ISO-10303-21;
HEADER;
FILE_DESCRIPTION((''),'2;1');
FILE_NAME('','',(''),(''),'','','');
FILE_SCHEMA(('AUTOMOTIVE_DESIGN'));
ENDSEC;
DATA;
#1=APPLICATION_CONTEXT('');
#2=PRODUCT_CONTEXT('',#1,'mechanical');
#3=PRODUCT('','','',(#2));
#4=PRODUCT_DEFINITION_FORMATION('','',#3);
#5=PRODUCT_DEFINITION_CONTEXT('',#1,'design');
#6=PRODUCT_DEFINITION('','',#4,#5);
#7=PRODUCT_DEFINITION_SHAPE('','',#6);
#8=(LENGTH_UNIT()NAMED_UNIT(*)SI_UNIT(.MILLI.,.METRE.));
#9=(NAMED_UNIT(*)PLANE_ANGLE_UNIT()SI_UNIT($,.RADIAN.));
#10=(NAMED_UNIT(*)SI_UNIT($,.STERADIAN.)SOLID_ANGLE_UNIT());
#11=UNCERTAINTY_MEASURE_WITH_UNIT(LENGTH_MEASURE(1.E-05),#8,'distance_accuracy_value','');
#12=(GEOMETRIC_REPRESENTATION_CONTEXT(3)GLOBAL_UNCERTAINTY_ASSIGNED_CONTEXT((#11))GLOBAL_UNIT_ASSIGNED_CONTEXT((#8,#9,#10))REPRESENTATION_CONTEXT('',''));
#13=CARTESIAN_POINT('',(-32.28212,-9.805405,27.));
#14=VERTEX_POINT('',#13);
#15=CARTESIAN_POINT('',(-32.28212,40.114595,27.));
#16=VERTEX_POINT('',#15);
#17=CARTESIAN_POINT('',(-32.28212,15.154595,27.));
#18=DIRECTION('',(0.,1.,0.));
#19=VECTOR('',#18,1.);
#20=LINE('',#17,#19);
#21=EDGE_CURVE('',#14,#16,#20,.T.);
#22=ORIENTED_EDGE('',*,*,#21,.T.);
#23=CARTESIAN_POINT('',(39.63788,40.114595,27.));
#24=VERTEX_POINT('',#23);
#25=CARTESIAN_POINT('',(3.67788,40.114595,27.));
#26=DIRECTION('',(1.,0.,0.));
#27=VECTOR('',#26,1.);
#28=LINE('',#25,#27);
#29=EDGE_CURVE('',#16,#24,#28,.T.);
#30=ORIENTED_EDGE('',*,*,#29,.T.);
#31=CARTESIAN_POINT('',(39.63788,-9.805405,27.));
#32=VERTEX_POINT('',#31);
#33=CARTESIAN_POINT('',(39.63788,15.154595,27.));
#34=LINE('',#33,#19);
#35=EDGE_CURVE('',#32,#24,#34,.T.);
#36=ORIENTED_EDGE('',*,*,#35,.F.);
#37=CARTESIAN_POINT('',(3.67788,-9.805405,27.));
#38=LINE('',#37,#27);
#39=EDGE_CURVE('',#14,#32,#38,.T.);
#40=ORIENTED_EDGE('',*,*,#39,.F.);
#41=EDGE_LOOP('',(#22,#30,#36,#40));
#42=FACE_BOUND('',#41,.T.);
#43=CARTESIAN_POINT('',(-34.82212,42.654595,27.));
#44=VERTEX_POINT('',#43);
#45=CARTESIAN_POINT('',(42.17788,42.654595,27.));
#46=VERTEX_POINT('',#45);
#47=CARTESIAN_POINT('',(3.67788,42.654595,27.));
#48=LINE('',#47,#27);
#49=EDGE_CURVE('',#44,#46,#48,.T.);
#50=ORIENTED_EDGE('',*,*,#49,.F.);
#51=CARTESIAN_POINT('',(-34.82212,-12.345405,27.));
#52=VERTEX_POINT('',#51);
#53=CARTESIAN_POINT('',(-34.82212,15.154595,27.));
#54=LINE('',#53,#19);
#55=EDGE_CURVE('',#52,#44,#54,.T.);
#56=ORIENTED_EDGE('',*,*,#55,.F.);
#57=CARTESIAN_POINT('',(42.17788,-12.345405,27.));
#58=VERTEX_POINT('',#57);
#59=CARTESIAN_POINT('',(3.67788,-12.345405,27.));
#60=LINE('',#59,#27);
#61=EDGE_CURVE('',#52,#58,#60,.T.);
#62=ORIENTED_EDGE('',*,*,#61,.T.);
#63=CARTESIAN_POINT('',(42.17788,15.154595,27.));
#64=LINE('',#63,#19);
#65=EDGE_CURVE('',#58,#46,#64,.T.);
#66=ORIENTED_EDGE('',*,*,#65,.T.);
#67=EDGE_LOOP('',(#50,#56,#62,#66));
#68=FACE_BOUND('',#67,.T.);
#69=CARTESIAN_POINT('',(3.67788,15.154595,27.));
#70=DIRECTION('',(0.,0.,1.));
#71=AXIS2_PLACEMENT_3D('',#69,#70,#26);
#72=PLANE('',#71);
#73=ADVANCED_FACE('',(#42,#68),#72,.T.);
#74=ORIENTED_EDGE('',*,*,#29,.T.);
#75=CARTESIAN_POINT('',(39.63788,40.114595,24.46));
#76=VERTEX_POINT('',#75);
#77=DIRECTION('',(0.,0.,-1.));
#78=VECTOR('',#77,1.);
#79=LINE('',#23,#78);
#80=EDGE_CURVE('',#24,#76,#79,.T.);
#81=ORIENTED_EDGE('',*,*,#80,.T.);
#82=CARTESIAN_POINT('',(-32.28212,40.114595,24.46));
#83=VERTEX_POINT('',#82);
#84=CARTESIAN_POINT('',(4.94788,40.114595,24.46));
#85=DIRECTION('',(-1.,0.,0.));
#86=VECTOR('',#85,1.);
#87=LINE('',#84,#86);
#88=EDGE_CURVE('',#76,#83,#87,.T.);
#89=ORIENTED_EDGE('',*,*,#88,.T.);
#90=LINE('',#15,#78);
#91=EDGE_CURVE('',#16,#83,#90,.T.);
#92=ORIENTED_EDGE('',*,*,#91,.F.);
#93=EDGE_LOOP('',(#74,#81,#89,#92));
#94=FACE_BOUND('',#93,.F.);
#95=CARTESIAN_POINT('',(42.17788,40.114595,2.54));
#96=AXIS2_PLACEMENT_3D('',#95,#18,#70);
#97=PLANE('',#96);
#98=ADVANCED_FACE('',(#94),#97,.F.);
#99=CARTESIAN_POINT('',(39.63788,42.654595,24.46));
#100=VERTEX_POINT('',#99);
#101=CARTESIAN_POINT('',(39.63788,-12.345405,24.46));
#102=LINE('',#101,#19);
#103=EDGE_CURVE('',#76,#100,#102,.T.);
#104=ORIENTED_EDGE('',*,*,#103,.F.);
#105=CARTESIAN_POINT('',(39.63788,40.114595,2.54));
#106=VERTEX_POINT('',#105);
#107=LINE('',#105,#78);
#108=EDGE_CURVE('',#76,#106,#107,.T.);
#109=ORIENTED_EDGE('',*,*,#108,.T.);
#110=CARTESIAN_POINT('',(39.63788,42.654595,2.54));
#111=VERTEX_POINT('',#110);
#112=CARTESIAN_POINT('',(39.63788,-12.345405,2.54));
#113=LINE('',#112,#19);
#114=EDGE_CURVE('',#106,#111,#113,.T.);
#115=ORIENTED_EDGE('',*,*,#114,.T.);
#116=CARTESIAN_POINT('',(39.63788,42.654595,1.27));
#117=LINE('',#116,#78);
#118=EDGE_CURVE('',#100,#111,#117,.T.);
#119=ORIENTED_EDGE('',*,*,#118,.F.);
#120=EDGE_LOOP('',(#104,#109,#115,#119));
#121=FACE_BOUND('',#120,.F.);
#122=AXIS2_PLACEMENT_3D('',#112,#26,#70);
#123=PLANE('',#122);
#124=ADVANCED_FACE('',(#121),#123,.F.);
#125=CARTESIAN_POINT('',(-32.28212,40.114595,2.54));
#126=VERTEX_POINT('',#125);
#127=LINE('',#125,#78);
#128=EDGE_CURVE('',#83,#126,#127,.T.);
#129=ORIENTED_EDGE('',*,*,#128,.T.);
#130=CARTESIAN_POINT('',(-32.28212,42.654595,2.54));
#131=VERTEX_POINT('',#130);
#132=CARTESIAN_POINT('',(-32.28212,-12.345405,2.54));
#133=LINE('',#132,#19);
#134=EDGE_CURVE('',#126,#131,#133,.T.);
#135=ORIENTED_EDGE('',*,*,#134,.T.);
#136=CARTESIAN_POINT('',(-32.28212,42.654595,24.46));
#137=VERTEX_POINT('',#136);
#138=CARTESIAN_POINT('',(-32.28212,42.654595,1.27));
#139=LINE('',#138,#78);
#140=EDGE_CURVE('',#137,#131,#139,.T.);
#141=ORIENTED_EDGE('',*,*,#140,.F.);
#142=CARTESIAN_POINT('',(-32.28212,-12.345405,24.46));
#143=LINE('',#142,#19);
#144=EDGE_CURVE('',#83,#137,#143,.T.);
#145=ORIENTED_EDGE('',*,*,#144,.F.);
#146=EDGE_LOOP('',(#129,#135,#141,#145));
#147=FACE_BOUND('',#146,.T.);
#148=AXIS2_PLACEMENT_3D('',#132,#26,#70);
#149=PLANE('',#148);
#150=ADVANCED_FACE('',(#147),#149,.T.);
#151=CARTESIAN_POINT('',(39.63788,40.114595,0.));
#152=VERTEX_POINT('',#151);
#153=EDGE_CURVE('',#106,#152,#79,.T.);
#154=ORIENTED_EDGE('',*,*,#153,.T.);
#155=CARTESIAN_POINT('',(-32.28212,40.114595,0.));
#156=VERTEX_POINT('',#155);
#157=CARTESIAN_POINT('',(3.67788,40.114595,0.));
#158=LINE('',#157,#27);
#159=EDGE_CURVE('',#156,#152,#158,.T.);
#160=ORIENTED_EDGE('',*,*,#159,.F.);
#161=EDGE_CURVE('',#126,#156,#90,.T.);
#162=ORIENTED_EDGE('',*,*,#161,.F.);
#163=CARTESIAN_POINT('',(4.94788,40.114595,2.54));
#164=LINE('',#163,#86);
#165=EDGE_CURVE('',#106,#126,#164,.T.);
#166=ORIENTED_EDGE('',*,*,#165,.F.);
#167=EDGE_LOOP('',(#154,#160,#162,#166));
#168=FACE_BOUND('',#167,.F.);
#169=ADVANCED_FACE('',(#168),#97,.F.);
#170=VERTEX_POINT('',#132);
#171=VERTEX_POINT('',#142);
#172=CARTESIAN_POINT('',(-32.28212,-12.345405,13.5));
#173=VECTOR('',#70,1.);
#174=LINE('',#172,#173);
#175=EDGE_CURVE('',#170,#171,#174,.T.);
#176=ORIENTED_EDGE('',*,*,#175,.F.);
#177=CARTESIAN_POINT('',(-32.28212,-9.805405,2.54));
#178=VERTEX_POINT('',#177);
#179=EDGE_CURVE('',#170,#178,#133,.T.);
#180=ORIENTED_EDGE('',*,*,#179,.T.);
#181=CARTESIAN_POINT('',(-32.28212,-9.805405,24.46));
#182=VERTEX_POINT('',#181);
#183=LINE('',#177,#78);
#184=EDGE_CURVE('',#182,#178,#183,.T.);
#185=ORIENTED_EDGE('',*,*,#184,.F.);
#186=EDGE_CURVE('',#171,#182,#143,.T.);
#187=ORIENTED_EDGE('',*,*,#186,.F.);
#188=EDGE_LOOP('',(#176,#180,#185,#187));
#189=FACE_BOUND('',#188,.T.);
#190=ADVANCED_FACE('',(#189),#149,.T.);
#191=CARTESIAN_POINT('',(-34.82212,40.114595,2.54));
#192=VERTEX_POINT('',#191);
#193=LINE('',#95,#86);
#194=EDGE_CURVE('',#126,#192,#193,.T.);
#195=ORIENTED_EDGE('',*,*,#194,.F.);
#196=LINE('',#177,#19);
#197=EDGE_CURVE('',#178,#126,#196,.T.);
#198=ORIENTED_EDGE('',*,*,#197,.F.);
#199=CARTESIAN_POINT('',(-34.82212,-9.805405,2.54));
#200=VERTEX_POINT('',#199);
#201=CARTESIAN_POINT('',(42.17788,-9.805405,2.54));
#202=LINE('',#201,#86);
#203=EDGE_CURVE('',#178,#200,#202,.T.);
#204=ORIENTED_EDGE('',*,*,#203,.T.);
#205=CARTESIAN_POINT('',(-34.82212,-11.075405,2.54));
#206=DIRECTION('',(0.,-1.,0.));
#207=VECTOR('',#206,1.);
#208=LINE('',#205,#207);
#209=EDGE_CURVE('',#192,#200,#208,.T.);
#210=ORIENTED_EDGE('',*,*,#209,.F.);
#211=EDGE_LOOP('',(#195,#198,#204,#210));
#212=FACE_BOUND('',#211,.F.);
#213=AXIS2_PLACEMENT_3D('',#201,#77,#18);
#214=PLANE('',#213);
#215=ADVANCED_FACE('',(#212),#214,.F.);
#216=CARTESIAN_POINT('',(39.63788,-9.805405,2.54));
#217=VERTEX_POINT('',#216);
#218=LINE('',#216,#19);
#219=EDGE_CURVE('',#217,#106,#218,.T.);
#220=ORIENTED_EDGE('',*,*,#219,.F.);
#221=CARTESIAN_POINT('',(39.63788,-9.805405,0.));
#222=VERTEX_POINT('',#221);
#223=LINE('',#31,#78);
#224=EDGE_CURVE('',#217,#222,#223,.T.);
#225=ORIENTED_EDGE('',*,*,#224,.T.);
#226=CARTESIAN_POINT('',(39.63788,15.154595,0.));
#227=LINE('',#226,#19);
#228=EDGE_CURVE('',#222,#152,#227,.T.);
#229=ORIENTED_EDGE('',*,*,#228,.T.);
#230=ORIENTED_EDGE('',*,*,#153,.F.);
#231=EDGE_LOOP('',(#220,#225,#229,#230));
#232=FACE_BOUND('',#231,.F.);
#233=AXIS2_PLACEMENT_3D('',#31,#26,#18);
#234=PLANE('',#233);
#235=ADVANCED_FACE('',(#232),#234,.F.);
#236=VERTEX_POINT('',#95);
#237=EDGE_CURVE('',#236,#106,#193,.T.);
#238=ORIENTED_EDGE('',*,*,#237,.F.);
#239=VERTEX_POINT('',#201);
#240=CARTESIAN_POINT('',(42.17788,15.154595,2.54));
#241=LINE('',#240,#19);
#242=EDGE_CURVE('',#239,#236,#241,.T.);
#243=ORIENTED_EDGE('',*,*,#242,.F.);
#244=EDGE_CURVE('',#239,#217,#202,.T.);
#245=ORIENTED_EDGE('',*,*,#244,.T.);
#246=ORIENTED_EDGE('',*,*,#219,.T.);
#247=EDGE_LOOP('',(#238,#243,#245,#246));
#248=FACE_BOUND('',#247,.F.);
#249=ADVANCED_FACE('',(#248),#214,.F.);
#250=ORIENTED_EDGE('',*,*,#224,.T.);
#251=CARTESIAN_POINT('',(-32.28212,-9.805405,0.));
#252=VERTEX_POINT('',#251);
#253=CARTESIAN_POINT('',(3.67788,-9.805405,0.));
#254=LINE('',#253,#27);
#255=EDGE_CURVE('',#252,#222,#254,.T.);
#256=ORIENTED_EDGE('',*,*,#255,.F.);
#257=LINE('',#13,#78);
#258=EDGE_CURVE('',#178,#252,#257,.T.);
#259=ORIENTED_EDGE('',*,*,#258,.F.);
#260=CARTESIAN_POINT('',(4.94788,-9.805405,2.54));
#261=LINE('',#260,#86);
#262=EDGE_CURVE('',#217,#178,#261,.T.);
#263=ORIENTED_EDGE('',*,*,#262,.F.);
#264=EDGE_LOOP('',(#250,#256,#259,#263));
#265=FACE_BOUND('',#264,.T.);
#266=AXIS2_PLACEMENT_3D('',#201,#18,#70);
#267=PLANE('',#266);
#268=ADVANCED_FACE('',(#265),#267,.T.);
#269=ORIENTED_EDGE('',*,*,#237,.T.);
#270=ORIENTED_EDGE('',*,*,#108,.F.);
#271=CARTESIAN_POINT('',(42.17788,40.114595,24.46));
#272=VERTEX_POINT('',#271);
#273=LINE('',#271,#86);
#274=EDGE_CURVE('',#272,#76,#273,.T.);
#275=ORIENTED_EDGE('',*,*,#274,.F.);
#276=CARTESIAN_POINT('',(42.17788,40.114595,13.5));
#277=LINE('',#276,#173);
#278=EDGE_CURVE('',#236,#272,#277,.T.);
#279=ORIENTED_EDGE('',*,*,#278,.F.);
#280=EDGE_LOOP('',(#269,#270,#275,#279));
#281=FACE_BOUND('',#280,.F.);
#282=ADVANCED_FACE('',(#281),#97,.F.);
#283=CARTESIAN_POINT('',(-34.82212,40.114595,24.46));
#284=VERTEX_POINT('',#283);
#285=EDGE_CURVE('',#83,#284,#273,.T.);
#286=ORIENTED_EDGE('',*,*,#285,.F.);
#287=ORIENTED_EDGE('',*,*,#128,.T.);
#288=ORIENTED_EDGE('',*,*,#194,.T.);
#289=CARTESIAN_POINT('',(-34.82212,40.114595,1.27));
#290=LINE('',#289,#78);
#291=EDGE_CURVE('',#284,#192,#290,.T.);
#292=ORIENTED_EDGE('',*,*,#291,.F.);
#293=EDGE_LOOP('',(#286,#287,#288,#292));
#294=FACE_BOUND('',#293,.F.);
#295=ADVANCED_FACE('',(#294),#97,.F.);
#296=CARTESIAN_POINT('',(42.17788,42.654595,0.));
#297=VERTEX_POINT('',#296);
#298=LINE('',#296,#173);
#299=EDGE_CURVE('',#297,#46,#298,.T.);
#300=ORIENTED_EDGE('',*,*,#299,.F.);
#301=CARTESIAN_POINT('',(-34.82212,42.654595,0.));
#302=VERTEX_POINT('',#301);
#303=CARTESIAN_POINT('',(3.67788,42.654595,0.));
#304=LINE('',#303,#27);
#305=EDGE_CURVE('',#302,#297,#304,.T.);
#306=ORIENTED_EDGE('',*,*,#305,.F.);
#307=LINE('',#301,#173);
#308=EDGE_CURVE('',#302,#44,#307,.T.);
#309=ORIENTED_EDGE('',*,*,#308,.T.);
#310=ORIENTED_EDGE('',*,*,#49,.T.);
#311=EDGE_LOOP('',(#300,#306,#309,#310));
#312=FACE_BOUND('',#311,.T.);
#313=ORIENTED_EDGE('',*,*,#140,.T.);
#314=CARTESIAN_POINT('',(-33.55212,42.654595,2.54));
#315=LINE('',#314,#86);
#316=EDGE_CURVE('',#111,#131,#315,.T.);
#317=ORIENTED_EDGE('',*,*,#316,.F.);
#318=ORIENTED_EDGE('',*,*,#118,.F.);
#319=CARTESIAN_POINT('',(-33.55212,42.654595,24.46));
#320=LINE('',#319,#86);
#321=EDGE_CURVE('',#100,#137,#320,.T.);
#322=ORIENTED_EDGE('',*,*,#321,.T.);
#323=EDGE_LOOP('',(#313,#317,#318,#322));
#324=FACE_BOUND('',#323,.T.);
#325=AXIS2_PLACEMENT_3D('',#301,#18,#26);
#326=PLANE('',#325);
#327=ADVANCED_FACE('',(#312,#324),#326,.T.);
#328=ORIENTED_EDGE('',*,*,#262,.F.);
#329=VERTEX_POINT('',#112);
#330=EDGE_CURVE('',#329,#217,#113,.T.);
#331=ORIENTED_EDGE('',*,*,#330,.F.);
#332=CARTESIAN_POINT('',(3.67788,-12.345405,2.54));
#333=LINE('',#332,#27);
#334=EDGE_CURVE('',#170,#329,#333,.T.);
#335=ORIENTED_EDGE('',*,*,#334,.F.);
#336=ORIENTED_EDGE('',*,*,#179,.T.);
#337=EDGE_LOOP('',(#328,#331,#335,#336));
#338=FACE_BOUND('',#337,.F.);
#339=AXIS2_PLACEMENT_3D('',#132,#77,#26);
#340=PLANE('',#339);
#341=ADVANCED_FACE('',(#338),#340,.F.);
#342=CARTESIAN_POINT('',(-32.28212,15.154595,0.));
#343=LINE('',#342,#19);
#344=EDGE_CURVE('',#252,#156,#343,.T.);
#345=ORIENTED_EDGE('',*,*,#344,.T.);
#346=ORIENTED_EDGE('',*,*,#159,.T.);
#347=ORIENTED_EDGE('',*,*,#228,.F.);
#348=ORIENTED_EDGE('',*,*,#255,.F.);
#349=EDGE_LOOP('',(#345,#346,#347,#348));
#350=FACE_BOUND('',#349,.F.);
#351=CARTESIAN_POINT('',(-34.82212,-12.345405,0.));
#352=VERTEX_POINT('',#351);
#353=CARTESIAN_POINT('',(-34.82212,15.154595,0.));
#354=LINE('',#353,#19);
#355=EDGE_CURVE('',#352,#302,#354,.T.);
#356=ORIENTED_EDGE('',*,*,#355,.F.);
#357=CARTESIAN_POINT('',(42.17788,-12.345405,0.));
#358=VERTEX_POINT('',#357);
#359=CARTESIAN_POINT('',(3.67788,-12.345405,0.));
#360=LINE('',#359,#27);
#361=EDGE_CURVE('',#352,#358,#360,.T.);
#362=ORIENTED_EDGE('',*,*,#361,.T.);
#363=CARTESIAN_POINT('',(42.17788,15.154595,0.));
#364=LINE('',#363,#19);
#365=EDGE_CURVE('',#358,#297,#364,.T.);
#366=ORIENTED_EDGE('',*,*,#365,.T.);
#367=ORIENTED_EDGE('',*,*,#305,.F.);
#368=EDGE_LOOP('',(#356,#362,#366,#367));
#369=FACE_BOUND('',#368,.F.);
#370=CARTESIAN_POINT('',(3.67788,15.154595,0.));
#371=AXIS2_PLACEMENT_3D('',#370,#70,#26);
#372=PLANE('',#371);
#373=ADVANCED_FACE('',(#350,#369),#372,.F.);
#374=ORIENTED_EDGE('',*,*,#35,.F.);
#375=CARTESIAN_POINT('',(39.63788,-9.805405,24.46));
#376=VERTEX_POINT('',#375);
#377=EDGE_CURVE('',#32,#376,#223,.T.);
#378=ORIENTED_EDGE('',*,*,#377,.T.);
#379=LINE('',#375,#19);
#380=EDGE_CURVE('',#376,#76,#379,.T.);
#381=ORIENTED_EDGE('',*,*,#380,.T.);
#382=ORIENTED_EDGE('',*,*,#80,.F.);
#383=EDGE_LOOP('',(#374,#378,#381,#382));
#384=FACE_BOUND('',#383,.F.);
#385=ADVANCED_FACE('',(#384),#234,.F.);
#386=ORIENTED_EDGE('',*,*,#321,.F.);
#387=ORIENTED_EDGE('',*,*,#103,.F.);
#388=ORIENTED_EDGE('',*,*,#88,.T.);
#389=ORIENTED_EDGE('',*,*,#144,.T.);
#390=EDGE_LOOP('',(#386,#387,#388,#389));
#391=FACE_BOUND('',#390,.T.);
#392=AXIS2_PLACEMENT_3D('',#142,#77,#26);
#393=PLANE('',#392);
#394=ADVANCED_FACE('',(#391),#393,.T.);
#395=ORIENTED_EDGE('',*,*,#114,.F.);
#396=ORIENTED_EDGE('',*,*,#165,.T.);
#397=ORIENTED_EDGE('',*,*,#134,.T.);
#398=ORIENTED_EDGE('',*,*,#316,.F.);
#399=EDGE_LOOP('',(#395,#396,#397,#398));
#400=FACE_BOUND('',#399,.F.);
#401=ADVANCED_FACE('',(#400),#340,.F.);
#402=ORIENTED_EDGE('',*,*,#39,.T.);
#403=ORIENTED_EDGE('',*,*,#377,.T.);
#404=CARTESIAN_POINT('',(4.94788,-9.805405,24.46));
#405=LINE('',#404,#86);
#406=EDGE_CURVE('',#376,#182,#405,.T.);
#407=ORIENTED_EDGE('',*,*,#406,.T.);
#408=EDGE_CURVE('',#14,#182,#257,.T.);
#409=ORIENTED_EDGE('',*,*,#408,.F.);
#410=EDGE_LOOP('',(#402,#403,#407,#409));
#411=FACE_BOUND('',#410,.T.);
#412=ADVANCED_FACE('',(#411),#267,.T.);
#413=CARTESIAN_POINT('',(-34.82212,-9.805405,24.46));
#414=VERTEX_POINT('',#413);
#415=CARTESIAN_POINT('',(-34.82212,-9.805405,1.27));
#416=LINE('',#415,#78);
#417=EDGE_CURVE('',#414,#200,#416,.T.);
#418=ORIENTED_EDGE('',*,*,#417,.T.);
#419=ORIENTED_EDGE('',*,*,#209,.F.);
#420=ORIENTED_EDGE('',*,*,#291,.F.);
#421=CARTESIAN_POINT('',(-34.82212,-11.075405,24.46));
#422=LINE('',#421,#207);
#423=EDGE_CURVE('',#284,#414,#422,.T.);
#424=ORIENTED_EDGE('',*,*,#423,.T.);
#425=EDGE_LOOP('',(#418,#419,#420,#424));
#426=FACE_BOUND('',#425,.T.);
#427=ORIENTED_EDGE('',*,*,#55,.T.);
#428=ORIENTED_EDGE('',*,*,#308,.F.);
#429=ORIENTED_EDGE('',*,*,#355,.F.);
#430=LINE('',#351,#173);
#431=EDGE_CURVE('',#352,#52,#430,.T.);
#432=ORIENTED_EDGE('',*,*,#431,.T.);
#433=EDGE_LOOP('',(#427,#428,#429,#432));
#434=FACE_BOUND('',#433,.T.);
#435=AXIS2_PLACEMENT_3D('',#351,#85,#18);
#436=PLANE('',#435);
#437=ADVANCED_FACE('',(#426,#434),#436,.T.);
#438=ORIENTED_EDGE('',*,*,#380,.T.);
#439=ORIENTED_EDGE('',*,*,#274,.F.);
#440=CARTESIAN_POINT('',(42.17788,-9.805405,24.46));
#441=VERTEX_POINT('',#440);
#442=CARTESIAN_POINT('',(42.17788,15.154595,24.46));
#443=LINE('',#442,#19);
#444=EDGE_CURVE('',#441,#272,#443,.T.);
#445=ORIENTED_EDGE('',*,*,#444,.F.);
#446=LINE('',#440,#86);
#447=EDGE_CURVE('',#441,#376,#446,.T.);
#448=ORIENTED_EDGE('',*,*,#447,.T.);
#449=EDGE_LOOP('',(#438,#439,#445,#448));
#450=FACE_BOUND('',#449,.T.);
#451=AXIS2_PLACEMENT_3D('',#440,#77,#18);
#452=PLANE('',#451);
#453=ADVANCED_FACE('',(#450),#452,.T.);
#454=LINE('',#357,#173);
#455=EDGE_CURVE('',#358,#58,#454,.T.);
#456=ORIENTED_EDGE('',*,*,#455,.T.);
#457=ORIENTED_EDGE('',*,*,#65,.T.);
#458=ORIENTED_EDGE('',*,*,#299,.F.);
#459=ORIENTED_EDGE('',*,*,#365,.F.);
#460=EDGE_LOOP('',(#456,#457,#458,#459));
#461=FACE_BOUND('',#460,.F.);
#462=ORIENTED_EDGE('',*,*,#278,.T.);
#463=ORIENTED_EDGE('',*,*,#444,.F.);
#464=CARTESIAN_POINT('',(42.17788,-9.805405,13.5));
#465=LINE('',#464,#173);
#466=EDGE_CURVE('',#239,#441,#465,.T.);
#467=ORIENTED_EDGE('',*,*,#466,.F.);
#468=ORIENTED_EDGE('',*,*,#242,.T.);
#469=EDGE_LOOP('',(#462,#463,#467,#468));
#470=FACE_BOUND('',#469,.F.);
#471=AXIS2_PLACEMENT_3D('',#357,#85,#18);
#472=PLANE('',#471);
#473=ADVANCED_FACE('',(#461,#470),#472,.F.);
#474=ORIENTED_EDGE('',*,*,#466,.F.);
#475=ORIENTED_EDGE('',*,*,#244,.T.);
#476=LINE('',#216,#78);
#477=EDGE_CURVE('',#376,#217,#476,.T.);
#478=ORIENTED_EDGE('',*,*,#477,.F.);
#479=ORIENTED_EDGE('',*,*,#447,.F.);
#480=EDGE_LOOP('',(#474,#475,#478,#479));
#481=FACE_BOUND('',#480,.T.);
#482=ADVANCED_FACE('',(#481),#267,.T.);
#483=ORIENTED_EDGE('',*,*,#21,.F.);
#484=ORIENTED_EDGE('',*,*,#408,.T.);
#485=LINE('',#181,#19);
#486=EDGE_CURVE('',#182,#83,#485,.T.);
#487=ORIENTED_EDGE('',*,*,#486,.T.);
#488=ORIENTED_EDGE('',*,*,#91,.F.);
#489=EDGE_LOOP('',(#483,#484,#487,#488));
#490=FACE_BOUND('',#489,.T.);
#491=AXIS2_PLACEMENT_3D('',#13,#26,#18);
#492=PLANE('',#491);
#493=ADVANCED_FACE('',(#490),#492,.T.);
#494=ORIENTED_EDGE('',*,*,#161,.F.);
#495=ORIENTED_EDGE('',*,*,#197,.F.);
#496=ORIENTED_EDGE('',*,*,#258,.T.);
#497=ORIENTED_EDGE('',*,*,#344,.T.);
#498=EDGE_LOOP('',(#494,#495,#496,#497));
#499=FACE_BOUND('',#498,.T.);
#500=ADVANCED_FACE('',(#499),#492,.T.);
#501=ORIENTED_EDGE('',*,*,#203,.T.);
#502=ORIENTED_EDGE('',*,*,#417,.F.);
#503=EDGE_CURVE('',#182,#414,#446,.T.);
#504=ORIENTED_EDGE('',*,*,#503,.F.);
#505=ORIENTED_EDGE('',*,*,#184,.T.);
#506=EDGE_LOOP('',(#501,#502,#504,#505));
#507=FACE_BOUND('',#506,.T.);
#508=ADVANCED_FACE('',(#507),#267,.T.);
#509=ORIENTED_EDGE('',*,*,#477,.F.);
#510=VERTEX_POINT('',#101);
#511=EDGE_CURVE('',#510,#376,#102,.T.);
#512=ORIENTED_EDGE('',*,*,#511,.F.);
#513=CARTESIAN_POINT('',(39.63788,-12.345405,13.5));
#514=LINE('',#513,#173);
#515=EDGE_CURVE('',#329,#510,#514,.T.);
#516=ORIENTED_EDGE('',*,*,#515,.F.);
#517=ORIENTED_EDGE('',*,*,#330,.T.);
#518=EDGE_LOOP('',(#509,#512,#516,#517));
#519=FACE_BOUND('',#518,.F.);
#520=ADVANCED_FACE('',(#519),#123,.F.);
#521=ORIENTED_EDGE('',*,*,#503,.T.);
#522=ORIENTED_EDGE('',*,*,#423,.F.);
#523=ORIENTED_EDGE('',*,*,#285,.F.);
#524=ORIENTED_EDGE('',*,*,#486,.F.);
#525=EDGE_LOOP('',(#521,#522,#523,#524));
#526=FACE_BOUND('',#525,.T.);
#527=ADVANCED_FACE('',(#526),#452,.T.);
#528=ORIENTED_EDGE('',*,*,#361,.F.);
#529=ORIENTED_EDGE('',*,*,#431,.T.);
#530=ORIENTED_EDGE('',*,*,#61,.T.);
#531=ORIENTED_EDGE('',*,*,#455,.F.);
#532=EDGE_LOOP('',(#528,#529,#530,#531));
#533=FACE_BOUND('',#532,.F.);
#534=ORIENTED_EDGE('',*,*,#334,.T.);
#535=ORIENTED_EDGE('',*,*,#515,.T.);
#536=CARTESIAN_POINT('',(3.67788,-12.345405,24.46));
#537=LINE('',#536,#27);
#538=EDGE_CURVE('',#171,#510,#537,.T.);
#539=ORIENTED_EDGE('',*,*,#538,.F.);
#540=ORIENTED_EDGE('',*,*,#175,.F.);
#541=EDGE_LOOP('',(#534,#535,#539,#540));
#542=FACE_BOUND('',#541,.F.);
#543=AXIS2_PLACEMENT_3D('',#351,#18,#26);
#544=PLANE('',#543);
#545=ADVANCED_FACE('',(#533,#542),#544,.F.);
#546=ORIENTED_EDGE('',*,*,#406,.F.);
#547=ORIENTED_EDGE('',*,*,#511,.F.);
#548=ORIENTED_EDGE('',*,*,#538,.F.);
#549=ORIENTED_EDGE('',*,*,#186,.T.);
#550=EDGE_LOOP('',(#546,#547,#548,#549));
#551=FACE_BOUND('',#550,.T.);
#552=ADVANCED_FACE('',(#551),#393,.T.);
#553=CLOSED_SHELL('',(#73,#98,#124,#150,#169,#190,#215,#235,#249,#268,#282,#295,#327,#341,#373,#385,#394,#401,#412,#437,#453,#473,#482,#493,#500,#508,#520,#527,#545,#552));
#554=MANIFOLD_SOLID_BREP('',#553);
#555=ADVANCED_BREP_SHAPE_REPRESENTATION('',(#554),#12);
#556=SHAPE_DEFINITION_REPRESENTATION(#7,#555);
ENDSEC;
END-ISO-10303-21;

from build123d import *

# Parameters (mm, degrees)
F0_W     = 77
F0_H     = 55
F1_DEPTH = 27
F2_W     = 71.92
F2_H     = 49.92
F3_DEPTH = 27
F4_W     = 49.92
F4_H     = 21.92
F5_DEPTH = 127
F6_W     = 71.92
F6_H     = 21.92
F7_DEPTH = 70.104


with BuildPart() as f1:
    # F0 (on Top) → F1 (new body)
    with BuildSketch(Plane.XY):
        with Locations((3.67788, 15.154595)):
            Rectangle(F0_W, F0_H)
    extrude(amount=F1_DEPTH)

    # F2 (on face) → F3 (cut)
    with BuildSketch(Plane.XY.offset(27)):
        with Locations((3.67788, 15.154595)):
            Rectangle(F2_W, F2_H)
    extrude(amount=-F3_DEPTH, mode=Mode.SUBTRACT)

    # F4 (on face) → F5 (cut)
    with BuildSketch(Plane.YZ.offset(42.17788)):
        with Locations((15.154595, 13.5)):
            Rectangle(F4_W, F4_H)
    extrude(amount=-F5_DEPTH, mode=Mode.SUBTRACT)

    # F6 (on face) → F7 (cut)
    with BuildSketch(Plane.XZ.offset(12.345405)):
        with Locations((3.67788, 13.5)):
            Rectangle(F6_W, F6_H)
    extrude(amount=-F7_DEPTH, mode=Mode.SUBTRACT)


solid = f1.part
